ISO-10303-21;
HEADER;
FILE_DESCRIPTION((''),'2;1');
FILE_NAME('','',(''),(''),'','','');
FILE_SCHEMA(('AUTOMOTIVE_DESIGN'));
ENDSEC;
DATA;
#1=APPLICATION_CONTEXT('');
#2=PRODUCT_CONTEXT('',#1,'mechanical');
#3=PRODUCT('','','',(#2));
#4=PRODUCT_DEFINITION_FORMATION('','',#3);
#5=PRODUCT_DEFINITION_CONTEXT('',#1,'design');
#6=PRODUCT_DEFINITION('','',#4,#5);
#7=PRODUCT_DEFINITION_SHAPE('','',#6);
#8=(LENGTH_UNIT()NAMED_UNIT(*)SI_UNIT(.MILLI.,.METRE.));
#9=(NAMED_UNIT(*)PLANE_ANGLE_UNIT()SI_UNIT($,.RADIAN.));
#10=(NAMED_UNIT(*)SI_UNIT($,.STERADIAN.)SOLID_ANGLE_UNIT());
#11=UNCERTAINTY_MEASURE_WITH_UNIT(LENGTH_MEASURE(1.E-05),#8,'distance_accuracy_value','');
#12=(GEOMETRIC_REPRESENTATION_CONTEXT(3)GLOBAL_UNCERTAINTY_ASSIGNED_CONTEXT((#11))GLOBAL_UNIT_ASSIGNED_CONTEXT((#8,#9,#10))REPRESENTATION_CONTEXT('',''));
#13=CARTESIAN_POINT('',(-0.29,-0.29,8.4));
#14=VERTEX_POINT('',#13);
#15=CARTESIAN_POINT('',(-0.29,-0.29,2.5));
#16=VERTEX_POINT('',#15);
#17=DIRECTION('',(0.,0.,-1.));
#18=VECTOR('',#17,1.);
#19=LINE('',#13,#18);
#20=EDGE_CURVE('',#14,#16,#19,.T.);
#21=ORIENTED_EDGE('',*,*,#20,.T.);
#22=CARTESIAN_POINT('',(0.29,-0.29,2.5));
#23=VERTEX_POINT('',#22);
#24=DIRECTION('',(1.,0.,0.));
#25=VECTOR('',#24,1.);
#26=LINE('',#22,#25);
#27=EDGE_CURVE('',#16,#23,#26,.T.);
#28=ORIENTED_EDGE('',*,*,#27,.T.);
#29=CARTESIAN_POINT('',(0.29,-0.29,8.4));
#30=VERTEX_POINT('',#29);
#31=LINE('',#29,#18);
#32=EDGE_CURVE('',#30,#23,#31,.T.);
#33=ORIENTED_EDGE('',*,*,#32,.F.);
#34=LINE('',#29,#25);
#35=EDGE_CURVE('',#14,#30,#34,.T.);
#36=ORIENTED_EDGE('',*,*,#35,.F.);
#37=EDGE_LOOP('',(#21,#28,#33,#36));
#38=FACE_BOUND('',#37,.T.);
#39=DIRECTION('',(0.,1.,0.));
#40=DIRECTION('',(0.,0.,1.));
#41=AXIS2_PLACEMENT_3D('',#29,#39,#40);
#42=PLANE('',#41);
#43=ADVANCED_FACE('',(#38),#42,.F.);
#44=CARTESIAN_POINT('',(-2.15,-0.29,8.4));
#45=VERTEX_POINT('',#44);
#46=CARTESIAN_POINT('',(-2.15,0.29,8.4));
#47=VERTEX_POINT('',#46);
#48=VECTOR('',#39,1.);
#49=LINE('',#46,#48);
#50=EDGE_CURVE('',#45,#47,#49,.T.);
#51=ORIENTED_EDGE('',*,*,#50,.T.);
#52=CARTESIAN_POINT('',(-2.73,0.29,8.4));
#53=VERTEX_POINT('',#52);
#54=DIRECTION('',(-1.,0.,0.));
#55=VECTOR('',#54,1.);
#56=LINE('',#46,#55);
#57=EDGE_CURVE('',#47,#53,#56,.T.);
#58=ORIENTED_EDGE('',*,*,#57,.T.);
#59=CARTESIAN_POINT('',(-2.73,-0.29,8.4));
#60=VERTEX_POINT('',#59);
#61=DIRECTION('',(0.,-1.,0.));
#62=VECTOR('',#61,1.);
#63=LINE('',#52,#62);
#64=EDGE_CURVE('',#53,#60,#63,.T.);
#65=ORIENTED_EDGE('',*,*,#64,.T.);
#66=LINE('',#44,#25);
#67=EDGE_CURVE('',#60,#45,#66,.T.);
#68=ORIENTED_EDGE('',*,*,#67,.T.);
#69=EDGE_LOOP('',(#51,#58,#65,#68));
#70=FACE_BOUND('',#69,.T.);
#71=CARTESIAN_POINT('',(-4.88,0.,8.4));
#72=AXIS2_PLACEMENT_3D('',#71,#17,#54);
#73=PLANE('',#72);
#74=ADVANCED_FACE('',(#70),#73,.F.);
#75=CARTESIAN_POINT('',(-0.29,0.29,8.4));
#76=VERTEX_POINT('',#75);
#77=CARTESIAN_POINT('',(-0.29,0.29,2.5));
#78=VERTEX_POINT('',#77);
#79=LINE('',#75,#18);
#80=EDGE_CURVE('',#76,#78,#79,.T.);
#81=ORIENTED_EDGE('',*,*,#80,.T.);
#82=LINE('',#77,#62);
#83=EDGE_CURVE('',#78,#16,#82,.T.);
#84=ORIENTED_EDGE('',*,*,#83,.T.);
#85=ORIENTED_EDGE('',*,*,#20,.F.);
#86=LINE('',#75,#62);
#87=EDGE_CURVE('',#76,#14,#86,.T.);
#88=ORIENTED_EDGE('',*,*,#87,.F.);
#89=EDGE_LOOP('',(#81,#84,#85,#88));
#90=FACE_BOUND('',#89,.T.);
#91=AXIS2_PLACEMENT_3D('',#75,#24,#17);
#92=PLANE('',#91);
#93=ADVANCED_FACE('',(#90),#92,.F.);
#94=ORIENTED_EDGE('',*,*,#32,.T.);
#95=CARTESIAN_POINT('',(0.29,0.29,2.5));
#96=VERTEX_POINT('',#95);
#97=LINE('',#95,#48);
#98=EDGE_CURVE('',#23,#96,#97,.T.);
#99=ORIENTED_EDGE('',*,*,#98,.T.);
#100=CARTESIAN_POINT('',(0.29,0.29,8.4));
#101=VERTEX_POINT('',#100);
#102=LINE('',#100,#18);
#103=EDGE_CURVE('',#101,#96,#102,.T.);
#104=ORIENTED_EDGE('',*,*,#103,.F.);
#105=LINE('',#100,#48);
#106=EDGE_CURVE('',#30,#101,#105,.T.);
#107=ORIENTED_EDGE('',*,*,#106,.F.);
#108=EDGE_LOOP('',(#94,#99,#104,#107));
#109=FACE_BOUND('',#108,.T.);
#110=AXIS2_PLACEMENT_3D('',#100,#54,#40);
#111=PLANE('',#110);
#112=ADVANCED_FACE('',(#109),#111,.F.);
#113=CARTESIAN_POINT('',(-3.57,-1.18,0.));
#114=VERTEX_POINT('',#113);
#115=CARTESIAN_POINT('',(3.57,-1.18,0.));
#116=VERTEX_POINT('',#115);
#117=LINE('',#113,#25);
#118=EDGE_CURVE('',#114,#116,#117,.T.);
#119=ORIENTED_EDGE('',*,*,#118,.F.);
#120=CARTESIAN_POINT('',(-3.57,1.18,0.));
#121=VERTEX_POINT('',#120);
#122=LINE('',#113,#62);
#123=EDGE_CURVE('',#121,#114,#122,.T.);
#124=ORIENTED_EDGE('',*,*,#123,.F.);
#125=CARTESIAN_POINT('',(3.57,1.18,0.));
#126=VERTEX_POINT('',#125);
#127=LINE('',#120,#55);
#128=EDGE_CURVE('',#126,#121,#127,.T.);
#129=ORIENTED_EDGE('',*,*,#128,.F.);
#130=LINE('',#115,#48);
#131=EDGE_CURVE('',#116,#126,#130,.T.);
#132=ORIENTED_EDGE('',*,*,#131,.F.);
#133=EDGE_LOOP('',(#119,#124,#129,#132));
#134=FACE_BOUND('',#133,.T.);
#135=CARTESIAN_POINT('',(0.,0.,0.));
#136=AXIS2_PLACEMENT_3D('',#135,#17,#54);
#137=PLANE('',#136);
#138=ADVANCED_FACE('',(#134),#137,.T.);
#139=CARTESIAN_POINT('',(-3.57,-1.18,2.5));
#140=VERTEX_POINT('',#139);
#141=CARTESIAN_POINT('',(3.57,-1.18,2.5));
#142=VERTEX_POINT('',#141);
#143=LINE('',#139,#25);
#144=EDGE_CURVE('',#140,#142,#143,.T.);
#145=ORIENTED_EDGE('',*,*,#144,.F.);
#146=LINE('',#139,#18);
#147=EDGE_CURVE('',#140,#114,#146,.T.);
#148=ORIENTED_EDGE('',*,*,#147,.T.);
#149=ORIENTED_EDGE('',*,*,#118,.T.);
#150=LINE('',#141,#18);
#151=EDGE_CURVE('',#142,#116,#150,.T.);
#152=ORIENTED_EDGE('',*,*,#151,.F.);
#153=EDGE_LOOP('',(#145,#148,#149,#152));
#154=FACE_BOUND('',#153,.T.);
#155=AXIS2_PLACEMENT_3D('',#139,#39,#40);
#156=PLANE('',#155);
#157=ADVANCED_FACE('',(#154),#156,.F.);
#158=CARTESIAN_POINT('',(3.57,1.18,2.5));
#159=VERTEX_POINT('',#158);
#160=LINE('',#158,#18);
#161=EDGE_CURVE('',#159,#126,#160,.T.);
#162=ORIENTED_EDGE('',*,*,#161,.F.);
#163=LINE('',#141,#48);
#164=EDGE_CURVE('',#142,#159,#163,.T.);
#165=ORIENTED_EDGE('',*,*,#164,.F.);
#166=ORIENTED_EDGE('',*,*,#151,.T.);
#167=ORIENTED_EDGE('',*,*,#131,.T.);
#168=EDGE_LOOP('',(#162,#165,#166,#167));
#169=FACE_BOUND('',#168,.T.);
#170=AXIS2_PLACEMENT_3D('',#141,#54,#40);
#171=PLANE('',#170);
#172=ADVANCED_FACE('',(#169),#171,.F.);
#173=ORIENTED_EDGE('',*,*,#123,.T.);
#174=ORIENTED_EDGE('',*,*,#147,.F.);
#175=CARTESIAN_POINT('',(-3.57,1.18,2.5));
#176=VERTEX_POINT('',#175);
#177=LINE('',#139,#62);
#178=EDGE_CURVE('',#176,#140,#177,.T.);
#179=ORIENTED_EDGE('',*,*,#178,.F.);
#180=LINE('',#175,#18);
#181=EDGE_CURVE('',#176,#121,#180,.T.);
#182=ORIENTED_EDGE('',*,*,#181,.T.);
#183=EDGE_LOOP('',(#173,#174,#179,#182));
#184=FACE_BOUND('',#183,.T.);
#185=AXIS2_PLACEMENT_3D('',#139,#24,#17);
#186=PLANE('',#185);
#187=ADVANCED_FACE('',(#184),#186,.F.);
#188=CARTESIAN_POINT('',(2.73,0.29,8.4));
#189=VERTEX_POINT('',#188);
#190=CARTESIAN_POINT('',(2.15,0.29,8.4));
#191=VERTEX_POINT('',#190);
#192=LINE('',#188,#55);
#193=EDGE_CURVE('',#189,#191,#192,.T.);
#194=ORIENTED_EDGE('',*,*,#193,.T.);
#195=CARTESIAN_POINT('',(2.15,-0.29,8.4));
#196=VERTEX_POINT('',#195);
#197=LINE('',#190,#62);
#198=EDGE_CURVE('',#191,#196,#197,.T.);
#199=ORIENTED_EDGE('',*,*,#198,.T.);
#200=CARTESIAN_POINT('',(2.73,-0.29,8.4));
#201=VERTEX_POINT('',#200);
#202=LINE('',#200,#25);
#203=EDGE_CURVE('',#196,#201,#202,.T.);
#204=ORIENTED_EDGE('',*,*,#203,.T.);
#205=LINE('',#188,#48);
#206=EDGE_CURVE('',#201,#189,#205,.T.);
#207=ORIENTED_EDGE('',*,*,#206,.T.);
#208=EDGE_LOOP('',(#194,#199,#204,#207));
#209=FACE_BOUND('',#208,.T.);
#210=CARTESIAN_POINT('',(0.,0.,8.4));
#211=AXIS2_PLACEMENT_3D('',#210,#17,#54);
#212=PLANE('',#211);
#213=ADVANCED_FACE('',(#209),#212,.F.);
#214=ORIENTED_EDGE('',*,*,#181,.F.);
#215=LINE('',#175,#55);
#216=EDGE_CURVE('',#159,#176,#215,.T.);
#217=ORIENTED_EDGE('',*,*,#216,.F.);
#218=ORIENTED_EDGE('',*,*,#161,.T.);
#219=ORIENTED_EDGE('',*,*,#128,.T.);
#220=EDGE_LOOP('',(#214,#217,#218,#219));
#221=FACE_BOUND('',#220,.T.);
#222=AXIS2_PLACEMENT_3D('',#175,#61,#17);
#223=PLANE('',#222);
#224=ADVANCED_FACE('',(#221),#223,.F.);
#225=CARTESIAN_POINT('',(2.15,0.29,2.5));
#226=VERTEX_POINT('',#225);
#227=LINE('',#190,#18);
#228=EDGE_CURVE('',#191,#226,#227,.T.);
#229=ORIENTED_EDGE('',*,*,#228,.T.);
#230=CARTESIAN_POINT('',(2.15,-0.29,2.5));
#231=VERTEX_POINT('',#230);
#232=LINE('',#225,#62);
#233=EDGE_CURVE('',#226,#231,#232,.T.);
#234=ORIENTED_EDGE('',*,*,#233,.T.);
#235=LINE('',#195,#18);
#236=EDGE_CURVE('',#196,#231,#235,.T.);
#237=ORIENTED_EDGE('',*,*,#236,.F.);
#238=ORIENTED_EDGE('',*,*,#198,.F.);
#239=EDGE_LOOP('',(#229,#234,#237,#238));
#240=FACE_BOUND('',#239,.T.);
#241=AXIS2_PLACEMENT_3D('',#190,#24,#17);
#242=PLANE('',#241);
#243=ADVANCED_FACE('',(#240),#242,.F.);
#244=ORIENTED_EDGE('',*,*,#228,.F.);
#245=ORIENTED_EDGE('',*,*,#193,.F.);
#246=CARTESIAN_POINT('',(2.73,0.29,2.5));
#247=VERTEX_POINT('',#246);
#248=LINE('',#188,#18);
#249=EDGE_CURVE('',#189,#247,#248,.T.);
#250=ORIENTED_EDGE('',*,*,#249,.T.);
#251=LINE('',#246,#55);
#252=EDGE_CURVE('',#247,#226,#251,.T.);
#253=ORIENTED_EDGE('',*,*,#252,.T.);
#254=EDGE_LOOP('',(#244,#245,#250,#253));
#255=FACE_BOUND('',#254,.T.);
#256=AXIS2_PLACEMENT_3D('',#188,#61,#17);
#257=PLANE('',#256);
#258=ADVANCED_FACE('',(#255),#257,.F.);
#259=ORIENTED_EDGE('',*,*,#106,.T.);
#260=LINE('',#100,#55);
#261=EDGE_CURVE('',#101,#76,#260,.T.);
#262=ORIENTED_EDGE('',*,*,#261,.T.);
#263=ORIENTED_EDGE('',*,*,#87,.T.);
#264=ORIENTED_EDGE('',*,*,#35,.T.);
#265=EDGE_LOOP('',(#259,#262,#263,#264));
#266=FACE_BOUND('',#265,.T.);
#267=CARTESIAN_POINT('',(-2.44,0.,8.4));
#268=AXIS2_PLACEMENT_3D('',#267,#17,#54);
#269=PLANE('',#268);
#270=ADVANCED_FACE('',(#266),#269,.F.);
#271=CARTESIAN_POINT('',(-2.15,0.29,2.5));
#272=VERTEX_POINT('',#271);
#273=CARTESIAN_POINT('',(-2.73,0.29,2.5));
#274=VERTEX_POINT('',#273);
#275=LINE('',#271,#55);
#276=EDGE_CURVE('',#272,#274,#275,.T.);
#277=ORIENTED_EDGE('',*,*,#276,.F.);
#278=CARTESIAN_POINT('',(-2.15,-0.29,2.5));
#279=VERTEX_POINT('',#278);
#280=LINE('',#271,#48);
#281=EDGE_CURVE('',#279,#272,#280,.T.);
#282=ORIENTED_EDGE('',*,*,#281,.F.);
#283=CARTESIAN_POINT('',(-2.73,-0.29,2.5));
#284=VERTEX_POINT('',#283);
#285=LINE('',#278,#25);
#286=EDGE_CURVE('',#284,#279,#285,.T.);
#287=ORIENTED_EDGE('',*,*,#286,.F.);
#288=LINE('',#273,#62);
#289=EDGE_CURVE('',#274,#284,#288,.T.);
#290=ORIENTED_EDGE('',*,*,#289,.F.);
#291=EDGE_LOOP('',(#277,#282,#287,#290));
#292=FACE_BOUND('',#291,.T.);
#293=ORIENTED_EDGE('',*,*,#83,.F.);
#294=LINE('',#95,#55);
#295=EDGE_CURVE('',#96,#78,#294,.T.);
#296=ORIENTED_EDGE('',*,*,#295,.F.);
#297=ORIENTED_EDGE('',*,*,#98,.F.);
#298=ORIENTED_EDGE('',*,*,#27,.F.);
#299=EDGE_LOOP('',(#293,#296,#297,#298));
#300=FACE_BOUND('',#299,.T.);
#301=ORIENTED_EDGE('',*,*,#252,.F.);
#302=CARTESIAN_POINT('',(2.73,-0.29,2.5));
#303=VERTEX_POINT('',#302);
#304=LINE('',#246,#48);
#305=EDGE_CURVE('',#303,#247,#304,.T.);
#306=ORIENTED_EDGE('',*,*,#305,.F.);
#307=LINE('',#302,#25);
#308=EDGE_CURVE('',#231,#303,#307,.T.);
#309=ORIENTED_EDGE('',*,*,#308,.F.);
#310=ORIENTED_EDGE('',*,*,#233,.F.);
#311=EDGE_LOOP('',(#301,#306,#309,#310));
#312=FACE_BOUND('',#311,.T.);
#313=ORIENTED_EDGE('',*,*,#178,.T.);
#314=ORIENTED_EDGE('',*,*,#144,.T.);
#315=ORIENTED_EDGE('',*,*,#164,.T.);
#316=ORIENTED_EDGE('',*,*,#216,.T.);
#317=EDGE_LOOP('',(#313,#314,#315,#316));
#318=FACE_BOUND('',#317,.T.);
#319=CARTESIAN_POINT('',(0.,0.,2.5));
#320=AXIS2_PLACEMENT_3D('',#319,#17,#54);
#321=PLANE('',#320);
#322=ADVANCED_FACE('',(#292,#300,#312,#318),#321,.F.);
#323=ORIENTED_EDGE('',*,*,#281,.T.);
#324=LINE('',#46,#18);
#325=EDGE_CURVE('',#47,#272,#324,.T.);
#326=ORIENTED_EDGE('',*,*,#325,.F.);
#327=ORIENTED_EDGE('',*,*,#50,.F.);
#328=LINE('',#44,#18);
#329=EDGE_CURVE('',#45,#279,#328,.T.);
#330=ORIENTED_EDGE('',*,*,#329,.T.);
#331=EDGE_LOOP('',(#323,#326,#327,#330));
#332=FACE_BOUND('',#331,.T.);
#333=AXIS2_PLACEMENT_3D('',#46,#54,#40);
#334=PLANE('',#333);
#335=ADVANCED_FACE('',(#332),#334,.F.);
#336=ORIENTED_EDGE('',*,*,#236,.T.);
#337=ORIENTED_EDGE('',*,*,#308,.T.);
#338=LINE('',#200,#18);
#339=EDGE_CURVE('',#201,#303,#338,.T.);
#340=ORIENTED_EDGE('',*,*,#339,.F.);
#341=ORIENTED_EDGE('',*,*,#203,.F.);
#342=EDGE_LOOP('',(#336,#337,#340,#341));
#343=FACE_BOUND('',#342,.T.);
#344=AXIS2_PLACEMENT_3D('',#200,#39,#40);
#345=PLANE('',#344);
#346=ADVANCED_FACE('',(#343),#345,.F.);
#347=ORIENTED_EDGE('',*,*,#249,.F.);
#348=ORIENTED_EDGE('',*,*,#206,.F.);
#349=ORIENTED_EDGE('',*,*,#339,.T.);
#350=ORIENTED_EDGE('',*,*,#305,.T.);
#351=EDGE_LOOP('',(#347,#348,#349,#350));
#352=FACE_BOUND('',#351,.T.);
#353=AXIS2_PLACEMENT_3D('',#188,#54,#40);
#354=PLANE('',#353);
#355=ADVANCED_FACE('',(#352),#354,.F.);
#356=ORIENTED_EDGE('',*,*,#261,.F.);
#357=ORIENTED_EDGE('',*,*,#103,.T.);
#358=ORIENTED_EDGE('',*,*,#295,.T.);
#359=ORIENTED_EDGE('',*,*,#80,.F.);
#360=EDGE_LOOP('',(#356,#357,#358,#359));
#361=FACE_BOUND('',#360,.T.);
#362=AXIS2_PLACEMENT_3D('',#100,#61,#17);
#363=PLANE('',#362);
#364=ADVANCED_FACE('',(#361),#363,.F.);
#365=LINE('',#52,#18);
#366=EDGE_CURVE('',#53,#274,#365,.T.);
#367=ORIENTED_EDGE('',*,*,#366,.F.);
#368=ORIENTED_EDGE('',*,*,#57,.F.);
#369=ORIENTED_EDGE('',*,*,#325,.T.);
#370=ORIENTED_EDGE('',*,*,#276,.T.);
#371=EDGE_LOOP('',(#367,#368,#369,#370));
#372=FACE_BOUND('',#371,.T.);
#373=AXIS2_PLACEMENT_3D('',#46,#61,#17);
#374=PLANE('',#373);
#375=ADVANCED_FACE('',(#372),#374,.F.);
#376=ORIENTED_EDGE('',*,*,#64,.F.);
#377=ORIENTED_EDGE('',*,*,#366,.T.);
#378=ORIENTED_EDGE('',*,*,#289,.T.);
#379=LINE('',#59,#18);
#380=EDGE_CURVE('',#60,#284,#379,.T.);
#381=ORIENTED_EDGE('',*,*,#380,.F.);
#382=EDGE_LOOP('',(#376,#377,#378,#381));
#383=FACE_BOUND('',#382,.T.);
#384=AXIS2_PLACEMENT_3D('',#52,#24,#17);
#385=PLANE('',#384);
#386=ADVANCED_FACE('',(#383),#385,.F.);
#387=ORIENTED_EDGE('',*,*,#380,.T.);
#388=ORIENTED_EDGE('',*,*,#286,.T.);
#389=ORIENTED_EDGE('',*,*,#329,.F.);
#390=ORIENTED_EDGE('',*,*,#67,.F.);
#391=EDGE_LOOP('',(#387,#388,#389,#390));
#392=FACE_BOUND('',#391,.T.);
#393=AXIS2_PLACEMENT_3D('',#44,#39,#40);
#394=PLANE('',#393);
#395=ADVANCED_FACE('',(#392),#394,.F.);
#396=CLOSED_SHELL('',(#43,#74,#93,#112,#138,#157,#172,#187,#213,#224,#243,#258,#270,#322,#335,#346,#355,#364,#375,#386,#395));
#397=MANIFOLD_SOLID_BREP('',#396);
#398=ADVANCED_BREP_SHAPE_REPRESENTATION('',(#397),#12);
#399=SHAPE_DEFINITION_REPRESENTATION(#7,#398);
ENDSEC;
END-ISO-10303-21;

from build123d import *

# Parameters (mm, degrees)
SKICA1_W                = 7.14
SKICA1_H                = 2.36
P_IDAT_VYSUNUT_M1_DEPTH = 2.5
SKICA2_W                = 0.58
SKICA2_H                = 0.58
P_IDAT_VYSUNUT_M2_DEPTH = 5.9
LINPOLE1_COUNT          = 3
LINPOLE1_PITCH          = 2.44


with BuildPart() as part:
    # Skica1 → Přidat vysunutím1 (new body)
    with BuildSketch(Plane.XY):
        Rectangle(SKICA1_W, SKICA1_H)
    extrude(amount=P_IDAT_VYSUNUT_M1_DEPTH)

    # Skica2 → Přidat vysunutím2 (add)
    with BuildSketch(Plane.XY.offset(2.5)):
        with Locations((2.44, 0)):
            Rectangle(SKICA2_W, SKICA2_H)
    p_idat_vysunut_m2 = extrude(amount=P_IDAT_VYSUNUT_M2_DEPTH)

    # LinPole1: Přidat vysunutím2 ×3
    with Locations(*[(-i * LINPOLE1_PITCH, 0, 0) for i in range(1, LINPOLE1_COUNT)]):
        add(p_idat_vysunut_m2)


solid = part.part
